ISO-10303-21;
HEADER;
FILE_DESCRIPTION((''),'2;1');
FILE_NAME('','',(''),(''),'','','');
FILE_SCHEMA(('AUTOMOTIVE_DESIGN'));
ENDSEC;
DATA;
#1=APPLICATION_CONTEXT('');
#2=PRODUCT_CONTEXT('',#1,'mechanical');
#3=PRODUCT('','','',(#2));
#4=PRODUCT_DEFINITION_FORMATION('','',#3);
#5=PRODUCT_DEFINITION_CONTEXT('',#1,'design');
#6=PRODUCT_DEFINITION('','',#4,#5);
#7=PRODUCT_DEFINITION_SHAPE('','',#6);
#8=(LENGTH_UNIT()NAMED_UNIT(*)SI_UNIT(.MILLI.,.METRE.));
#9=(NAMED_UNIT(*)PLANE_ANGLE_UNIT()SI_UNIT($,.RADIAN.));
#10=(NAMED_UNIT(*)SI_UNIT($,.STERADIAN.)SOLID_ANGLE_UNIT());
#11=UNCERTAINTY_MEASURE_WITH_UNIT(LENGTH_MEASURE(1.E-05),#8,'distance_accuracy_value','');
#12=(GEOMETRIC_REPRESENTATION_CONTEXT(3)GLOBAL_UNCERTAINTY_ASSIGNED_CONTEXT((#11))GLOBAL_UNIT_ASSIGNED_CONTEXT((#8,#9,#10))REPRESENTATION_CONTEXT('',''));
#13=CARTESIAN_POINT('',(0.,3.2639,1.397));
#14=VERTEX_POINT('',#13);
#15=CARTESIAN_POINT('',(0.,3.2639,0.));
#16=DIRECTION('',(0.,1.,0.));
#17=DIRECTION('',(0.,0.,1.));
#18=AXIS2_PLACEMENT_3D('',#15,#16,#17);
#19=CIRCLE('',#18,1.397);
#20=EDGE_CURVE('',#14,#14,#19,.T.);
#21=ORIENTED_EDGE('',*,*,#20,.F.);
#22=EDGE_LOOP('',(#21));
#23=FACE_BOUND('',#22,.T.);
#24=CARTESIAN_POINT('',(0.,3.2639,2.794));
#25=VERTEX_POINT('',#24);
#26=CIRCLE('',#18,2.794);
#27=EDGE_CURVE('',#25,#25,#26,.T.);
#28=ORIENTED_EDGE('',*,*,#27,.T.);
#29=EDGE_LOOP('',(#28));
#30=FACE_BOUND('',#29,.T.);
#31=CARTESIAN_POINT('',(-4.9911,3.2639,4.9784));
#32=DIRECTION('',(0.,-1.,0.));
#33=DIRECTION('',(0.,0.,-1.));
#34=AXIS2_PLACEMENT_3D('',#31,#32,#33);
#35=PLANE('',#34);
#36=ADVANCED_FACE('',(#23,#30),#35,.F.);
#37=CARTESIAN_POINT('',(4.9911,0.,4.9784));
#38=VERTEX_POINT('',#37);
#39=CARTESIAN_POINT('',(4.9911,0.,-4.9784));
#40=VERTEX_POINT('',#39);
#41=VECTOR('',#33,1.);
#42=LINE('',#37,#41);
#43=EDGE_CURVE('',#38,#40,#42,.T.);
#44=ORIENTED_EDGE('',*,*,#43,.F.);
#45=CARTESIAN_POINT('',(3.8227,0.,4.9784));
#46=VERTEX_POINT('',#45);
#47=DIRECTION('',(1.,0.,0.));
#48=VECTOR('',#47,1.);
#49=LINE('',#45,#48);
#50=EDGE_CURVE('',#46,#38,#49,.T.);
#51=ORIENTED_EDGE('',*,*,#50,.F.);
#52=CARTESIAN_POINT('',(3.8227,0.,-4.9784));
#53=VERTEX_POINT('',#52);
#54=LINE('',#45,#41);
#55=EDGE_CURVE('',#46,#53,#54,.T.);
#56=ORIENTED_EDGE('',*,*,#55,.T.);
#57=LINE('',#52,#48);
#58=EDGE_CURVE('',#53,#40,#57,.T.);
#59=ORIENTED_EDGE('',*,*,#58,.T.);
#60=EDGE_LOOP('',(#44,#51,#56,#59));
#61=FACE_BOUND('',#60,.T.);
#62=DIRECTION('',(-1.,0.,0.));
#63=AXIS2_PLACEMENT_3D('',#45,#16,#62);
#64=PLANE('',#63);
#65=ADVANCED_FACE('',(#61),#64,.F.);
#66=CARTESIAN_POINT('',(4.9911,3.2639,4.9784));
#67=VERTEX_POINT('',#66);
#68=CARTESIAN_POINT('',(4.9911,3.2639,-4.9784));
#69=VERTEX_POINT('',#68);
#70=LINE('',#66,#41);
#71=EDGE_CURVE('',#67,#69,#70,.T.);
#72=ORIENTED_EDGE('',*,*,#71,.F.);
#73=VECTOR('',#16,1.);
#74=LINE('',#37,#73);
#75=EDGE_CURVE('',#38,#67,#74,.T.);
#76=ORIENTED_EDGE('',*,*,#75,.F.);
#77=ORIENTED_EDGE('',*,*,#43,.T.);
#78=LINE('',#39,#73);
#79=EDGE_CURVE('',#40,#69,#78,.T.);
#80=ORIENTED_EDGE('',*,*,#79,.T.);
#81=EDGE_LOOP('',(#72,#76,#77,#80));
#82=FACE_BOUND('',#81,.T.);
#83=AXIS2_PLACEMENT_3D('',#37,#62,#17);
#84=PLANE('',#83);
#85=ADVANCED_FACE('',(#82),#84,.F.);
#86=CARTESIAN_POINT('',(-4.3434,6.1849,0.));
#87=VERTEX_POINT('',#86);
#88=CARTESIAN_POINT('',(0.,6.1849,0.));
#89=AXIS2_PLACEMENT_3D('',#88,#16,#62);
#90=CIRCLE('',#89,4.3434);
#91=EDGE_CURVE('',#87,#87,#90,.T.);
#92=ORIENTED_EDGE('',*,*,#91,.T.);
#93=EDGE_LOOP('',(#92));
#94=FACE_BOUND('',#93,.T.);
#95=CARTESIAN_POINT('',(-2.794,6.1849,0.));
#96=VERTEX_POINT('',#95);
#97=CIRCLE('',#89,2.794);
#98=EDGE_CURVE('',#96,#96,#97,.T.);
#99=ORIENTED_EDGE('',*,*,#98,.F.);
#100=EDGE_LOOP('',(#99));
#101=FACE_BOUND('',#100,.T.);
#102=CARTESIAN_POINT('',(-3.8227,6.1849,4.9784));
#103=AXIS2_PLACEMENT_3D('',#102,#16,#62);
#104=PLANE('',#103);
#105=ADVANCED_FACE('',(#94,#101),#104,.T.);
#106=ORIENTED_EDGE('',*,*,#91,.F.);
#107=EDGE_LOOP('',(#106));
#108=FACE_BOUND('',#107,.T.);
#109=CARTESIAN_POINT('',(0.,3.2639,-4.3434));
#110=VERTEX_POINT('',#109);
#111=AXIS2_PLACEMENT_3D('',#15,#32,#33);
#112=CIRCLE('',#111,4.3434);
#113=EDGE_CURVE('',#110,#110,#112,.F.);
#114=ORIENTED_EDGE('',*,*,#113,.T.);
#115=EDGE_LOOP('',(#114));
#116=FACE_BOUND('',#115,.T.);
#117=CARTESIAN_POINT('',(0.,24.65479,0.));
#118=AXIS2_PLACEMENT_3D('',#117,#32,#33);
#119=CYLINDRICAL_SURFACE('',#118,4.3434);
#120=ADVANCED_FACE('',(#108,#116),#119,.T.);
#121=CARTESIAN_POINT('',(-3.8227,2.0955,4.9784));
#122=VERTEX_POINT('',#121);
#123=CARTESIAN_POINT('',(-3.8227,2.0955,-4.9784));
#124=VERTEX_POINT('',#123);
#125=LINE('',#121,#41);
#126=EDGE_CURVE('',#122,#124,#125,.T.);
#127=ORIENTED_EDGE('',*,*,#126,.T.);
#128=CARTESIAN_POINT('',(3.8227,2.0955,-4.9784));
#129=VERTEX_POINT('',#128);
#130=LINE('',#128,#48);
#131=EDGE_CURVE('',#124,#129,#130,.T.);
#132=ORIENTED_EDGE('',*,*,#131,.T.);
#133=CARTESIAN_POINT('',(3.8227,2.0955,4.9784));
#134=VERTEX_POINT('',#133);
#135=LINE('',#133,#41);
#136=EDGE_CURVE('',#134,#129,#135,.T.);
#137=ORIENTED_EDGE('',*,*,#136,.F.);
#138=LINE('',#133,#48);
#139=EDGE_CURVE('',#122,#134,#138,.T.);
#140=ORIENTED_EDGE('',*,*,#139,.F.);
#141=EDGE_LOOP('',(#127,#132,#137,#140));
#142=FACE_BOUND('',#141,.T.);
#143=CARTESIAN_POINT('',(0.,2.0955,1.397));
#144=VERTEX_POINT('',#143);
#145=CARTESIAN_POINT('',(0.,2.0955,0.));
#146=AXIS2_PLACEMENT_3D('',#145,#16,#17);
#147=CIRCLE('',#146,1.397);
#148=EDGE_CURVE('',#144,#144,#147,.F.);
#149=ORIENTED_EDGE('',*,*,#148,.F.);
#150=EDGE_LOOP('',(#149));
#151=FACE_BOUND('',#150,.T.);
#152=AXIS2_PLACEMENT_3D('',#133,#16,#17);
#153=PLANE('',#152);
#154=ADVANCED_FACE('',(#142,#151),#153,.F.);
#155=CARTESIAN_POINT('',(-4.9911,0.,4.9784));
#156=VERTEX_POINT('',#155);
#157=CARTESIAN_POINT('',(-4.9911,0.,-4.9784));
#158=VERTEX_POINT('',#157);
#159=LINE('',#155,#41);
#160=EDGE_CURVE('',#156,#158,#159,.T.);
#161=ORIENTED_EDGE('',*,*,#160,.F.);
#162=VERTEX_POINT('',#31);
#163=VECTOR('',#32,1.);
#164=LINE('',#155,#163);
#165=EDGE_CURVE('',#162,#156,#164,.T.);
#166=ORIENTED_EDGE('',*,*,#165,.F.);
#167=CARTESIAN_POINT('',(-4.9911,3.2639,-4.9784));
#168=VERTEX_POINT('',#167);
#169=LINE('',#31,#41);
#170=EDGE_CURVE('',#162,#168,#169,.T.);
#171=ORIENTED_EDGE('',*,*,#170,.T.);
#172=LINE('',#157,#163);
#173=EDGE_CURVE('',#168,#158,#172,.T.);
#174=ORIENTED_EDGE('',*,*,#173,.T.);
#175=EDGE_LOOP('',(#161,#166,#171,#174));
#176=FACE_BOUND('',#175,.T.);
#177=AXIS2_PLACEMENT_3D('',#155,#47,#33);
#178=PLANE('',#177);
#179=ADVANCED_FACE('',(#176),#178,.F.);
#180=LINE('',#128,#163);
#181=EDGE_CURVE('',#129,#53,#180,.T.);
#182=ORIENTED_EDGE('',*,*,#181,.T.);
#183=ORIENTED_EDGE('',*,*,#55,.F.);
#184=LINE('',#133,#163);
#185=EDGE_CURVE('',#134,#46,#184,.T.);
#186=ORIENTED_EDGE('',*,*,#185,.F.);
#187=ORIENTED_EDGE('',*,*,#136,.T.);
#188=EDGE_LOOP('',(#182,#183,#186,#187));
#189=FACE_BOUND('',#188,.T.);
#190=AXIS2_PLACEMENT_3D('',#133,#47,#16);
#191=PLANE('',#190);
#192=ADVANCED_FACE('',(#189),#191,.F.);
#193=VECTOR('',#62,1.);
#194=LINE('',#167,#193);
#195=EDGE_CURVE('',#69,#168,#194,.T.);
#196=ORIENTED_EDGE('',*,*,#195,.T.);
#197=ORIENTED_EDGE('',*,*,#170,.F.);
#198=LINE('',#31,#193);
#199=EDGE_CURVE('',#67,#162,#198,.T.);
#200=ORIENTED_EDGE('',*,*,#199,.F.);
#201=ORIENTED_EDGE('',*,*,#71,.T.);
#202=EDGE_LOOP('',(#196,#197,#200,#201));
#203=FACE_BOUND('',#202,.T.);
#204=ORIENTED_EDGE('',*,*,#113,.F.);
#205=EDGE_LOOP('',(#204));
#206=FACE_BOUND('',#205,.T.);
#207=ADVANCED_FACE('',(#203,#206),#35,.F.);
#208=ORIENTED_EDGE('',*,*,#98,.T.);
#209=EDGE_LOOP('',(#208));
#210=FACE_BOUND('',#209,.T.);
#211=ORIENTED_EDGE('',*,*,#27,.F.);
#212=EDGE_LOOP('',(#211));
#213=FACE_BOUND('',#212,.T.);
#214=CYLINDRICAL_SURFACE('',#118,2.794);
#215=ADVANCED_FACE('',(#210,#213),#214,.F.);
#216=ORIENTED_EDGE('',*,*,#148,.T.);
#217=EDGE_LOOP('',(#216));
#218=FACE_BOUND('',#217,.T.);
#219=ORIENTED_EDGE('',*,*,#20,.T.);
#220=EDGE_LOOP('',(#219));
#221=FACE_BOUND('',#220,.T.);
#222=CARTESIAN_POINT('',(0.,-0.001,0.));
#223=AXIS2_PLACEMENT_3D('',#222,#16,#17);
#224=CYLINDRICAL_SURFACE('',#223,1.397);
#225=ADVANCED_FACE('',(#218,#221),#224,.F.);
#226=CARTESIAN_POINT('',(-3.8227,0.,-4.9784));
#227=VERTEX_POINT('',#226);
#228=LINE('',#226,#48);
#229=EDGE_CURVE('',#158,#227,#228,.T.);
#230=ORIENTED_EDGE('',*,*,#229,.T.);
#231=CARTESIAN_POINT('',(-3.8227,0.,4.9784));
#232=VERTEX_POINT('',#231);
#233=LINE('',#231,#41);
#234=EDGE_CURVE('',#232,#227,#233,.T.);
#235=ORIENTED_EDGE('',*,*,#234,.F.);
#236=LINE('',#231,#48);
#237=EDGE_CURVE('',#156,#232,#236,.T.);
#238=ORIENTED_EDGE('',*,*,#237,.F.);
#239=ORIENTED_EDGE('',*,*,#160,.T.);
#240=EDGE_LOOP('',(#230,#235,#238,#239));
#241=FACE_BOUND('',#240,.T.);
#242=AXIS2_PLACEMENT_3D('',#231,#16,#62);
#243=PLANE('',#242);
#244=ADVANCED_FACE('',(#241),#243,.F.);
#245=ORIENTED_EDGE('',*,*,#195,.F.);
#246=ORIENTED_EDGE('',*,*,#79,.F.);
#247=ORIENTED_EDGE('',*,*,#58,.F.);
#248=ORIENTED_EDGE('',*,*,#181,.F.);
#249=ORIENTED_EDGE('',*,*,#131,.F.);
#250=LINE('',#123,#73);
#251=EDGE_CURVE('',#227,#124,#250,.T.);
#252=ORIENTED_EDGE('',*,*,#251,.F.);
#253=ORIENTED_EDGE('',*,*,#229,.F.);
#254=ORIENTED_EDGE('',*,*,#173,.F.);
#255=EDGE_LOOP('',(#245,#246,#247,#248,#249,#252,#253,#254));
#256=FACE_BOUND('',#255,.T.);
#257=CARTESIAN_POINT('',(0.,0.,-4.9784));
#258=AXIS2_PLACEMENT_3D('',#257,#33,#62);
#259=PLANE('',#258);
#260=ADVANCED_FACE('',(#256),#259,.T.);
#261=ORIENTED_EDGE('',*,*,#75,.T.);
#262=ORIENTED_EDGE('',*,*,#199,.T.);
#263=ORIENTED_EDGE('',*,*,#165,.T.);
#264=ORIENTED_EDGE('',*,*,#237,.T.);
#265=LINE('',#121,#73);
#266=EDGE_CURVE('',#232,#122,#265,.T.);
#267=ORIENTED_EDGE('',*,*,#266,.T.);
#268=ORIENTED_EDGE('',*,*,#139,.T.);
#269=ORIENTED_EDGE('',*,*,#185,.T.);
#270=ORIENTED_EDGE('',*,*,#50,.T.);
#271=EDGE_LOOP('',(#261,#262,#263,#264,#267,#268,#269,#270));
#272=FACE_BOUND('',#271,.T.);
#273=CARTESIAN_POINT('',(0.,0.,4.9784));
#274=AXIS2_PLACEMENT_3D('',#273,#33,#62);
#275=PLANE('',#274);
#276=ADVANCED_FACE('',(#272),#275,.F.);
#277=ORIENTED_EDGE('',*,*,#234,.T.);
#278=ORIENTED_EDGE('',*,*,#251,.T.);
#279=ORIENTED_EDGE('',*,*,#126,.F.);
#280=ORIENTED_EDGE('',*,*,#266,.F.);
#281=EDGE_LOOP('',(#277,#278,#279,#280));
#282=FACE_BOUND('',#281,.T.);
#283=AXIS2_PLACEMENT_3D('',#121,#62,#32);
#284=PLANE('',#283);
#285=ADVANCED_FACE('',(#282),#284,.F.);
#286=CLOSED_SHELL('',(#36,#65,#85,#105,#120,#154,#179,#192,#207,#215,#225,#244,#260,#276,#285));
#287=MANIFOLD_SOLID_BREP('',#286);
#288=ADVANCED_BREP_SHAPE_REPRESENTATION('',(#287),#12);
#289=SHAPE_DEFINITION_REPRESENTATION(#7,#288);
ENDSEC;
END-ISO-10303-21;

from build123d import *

# Parameters (mm, degrees)
BOSS_EXTRUDE1_DEPTH = 4.9784
SKETCH3_R           = 4.3434
SKETCH3_R_2         = 2.794
BOSS_EXTRUDE2_DEPTH = 2.921
CUT_EXTRUDE1_REACH  = 5.264
SKETCH4_R           = 1.397


with BuildPart() as part:
    # Sketch2 → Boss-Extrude1 (new body, symmetric)
    with BuildSketch(Plane.XY):
        Polygon((-3.8227, 0), (-4.9911, 0), (-4.9911, 3.2639), (4.9911, 3.2639), (4.9911, 0), (3.8227, 0), (3.8227, 2.0955), (-3.8227, 2.0955), align=None)
    extrude(amount=BOSS_EXTRUDE1_DEPTH, both=True)

    # Sketch3 → Boss-Extrude2 (add)
    with BuildSketch(Plane(origin=(0, 3.2639, 0), x_dir=(1, 0, 0), z_dir=(0, 1, 0))):
        Circle(SKETCH3_R)
        Circle(SKETCH3_R_2, mode=Mode.SUBTRACT)
    extrude(amount=BOSS_EXTRUDE2_DEPTH)

    # Sketch4 → Cut-Extrude1 (cut, up to next)
    with BuildSketch(Plane(origin=(0, 3.2639, 0), x_dir=(1, 0, 0), z_dir=(0, 1, 0)), mode=Mode.PRIVATE) as cut_extrude1_sk1:
        Circle(SKETCH4_R)
    cut_extrude1_tool1 = extrude(cut_extrude1_sk1.sketch, amount=-CUT_EXTRUDE1_REACH, mode=Mode.PRIVATE) & part.part
    add(cut_extrude1_tool1.solids().sort_by_distance((0, 3.2639, 0))[0], mode=Mode.SUBTRACT)


solid = part.part
